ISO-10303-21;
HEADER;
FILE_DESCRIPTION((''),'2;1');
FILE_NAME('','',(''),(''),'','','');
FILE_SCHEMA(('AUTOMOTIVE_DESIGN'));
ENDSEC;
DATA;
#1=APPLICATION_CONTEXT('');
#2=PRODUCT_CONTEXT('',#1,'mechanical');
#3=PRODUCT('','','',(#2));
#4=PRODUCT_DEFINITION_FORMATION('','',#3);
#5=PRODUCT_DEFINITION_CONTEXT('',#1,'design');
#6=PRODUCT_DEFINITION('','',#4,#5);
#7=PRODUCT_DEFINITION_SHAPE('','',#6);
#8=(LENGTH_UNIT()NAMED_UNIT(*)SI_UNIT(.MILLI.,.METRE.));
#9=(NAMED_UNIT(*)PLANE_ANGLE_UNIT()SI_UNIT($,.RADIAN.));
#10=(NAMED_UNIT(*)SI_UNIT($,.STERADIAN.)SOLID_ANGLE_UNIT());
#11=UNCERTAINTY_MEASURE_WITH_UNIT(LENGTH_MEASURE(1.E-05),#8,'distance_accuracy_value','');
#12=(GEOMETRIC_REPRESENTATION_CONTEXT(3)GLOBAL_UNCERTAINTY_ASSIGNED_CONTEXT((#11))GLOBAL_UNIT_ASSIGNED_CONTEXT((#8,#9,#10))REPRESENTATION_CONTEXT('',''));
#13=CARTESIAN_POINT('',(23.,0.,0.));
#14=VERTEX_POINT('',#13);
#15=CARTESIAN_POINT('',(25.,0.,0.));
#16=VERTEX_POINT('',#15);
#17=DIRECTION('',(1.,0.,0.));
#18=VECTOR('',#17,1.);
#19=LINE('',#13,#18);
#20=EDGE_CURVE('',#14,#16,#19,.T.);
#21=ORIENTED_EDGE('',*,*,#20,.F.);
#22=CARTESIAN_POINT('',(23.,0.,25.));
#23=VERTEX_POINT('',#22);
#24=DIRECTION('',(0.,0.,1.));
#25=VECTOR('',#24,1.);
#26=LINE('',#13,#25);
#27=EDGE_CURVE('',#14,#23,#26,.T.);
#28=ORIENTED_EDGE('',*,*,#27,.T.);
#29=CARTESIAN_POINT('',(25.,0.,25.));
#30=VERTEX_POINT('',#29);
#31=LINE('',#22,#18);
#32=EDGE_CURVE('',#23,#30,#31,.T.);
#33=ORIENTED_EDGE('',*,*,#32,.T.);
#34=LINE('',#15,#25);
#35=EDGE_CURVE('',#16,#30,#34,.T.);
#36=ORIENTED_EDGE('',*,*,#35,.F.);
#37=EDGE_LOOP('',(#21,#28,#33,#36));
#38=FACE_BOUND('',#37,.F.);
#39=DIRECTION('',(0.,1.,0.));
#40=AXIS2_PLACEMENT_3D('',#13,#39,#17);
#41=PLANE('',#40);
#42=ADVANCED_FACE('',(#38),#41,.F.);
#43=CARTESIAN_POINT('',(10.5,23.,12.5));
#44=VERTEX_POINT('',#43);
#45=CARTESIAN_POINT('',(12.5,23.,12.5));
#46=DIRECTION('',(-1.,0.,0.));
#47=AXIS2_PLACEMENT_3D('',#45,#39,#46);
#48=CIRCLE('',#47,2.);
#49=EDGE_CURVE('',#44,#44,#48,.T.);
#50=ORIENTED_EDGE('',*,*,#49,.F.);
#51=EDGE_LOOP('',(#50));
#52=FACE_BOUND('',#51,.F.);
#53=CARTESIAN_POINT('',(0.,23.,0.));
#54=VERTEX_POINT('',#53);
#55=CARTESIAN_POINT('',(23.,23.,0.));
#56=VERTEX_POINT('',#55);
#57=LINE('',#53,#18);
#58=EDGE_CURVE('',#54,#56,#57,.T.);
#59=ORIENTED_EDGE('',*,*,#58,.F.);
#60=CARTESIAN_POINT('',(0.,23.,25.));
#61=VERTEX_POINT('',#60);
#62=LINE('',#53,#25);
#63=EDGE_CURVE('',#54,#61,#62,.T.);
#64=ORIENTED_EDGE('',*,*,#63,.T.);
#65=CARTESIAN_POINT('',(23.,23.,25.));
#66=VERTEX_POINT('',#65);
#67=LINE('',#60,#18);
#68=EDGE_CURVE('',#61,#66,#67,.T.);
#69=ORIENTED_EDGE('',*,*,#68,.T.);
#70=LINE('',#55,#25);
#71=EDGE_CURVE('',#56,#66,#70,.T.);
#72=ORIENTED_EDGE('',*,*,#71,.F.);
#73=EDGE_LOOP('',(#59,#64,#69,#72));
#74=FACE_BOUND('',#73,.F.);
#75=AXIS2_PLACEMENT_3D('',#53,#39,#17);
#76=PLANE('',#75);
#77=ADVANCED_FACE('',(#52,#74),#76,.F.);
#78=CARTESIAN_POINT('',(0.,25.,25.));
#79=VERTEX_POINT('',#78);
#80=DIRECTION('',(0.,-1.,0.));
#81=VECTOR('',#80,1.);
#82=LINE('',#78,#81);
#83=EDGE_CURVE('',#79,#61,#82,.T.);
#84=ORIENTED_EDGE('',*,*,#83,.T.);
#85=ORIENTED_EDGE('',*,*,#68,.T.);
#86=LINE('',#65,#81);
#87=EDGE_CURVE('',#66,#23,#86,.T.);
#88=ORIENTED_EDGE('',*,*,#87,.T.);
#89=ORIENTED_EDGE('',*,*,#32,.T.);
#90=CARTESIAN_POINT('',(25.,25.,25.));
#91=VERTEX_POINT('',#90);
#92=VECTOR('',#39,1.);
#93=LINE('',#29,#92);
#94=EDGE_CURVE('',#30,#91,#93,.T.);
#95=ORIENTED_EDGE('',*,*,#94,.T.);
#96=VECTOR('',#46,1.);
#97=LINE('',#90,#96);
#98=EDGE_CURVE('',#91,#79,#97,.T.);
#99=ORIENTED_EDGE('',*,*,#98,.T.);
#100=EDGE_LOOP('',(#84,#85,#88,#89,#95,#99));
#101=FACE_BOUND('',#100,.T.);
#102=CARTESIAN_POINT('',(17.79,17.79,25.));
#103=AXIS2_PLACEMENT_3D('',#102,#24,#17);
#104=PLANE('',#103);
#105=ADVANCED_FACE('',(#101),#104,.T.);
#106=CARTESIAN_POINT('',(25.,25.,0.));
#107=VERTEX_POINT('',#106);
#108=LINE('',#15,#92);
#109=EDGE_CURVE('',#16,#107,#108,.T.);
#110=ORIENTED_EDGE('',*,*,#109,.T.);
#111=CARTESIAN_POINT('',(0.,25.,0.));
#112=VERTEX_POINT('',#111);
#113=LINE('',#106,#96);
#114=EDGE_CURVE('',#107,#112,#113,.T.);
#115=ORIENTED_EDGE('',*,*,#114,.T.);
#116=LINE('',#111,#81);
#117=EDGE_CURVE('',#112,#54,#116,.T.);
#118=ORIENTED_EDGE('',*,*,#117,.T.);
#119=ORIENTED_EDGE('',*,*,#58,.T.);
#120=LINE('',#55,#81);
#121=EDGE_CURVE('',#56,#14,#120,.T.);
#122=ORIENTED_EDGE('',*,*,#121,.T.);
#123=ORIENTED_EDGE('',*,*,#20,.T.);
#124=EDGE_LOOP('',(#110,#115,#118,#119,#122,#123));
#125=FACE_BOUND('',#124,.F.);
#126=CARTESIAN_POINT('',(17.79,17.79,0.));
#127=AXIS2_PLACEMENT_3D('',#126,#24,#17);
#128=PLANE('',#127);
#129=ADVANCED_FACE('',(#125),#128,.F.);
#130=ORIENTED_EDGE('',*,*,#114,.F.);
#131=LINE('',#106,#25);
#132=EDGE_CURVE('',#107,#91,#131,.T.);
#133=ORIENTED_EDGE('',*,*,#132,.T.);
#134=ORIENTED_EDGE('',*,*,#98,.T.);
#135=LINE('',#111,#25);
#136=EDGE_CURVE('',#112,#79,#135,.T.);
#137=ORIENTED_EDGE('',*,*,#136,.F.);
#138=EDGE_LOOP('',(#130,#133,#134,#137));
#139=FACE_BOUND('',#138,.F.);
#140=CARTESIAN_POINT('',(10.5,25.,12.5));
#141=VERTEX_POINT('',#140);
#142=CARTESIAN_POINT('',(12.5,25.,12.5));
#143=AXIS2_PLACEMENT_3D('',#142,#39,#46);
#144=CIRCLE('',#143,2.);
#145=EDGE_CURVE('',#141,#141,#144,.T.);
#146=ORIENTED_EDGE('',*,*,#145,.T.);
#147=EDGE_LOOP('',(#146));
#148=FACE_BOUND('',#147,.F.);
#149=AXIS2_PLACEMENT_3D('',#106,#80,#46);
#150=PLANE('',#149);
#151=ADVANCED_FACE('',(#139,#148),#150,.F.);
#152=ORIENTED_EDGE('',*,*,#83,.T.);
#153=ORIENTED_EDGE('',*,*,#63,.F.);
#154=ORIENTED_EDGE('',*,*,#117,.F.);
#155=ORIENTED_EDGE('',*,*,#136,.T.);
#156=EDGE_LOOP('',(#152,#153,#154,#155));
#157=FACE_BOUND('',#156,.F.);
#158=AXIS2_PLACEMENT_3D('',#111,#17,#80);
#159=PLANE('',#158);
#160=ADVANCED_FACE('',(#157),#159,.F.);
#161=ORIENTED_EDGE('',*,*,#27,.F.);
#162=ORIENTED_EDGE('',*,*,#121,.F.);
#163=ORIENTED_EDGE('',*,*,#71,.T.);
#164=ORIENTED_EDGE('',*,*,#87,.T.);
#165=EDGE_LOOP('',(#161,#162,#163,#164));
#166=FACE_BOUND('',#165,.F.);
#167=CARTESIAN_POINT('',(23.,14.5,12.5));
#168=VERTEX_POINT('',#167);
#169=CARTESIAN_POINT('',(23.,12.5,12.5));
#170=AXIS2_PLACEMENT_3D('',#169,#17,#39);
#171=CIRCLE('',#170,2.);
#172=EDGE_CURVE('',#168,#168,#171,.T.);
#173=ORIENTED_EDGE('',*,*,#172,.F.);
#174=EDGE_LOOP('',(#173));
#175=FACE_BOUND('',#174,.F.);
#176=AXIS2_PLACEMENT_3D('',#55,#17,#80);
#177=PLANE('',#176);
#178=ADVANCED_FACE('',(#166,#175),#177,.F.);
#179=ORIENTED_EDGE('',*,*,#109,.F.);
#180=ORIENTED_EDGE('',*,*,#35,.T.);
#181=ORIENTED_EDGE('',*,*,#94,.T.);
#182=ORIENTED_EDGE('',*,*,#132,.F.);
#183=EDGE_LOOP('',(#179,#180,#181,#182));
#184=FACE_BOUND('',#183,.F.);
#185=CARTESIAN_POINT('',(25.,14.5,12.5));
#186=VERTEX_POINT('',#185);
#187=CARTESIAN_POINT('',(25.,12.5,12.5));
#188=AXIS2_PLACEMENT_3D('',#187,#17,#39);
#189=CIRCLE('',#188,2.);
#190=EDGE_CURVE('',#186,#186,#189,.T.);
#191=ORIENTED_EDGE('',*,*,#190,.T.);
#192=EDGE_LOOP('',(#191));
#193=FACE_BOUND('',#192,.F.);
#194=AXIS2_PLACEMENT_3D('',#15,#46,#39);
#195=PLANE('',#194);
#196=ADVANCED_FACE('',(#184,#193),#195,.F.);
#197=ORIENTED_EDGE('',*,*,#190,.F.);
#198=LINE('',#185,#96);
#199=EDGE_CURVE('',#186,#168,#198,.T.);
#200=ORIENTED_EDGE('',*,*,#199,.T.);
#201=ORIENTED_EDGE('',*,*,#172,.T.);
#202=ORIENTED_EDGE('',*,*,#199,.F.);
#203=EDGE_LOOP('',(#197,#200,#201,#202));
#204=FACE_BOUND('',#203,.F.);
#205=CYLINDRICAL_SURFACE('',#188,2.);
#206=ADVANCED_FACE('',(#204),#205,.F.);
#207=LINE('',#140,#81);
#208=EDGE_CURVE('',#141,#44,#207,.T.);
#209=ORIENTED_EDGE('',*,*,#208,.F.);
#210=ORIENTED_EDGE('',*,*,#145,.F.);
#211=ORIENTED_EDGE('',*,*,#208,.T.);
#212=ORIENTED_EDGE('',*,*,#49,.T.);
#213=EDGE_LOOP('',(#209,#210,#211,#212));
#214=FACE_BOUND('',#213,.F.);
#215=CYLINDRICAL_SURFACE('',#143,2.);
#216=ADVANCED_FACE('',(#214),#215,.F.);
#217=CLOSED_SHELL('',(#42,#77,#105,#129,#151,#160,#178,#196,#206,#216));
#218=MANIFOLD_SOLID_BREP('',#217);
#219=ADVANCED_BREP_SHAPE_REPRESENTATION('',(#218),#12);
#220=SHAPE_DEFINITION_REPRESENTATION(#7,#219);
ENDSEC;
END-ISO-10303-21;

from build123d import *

# Parameters (mm, degrees)
F1_DEPTH = 25
F2_R     = 2
F3_DEPTH = 25.001
F4_R     = 2
F5_DEPTH = 25.001


with BuildPart() as f1:
    # F0 (on Top) → F1 (new body)
    with BuildSketch(Plane.XY):
        Polygon((23, 23), (23, 0), (25, 0), (25, 25), (0, 25), (0, 23), align=None)
    extrude(amount=F1_DEPTH)

    # F2 (on face) → F3 (cut, through all)
    with BuildSketch(Plane(origin=(0, 25, 0), x_dir=(-1, 0, 0), z_dir=(0, 1, 0))):
        with Locations((-12.5, 12.5)):
            Circle(F2_R)
    extrude(amount=-F3_DEPTH, mode=Mode.SUBTRACT)

    # F4 (on face) → F5 (cut, through all)
    with BuildSketch(Plane.YZ.offset(25)):
        with Locations((12.5, 12.5)):
            Circle(F4_R)
    extrude(amount=-F5_DEPTH, mode=Mode.SUBTRACT)


solid = f1.part
